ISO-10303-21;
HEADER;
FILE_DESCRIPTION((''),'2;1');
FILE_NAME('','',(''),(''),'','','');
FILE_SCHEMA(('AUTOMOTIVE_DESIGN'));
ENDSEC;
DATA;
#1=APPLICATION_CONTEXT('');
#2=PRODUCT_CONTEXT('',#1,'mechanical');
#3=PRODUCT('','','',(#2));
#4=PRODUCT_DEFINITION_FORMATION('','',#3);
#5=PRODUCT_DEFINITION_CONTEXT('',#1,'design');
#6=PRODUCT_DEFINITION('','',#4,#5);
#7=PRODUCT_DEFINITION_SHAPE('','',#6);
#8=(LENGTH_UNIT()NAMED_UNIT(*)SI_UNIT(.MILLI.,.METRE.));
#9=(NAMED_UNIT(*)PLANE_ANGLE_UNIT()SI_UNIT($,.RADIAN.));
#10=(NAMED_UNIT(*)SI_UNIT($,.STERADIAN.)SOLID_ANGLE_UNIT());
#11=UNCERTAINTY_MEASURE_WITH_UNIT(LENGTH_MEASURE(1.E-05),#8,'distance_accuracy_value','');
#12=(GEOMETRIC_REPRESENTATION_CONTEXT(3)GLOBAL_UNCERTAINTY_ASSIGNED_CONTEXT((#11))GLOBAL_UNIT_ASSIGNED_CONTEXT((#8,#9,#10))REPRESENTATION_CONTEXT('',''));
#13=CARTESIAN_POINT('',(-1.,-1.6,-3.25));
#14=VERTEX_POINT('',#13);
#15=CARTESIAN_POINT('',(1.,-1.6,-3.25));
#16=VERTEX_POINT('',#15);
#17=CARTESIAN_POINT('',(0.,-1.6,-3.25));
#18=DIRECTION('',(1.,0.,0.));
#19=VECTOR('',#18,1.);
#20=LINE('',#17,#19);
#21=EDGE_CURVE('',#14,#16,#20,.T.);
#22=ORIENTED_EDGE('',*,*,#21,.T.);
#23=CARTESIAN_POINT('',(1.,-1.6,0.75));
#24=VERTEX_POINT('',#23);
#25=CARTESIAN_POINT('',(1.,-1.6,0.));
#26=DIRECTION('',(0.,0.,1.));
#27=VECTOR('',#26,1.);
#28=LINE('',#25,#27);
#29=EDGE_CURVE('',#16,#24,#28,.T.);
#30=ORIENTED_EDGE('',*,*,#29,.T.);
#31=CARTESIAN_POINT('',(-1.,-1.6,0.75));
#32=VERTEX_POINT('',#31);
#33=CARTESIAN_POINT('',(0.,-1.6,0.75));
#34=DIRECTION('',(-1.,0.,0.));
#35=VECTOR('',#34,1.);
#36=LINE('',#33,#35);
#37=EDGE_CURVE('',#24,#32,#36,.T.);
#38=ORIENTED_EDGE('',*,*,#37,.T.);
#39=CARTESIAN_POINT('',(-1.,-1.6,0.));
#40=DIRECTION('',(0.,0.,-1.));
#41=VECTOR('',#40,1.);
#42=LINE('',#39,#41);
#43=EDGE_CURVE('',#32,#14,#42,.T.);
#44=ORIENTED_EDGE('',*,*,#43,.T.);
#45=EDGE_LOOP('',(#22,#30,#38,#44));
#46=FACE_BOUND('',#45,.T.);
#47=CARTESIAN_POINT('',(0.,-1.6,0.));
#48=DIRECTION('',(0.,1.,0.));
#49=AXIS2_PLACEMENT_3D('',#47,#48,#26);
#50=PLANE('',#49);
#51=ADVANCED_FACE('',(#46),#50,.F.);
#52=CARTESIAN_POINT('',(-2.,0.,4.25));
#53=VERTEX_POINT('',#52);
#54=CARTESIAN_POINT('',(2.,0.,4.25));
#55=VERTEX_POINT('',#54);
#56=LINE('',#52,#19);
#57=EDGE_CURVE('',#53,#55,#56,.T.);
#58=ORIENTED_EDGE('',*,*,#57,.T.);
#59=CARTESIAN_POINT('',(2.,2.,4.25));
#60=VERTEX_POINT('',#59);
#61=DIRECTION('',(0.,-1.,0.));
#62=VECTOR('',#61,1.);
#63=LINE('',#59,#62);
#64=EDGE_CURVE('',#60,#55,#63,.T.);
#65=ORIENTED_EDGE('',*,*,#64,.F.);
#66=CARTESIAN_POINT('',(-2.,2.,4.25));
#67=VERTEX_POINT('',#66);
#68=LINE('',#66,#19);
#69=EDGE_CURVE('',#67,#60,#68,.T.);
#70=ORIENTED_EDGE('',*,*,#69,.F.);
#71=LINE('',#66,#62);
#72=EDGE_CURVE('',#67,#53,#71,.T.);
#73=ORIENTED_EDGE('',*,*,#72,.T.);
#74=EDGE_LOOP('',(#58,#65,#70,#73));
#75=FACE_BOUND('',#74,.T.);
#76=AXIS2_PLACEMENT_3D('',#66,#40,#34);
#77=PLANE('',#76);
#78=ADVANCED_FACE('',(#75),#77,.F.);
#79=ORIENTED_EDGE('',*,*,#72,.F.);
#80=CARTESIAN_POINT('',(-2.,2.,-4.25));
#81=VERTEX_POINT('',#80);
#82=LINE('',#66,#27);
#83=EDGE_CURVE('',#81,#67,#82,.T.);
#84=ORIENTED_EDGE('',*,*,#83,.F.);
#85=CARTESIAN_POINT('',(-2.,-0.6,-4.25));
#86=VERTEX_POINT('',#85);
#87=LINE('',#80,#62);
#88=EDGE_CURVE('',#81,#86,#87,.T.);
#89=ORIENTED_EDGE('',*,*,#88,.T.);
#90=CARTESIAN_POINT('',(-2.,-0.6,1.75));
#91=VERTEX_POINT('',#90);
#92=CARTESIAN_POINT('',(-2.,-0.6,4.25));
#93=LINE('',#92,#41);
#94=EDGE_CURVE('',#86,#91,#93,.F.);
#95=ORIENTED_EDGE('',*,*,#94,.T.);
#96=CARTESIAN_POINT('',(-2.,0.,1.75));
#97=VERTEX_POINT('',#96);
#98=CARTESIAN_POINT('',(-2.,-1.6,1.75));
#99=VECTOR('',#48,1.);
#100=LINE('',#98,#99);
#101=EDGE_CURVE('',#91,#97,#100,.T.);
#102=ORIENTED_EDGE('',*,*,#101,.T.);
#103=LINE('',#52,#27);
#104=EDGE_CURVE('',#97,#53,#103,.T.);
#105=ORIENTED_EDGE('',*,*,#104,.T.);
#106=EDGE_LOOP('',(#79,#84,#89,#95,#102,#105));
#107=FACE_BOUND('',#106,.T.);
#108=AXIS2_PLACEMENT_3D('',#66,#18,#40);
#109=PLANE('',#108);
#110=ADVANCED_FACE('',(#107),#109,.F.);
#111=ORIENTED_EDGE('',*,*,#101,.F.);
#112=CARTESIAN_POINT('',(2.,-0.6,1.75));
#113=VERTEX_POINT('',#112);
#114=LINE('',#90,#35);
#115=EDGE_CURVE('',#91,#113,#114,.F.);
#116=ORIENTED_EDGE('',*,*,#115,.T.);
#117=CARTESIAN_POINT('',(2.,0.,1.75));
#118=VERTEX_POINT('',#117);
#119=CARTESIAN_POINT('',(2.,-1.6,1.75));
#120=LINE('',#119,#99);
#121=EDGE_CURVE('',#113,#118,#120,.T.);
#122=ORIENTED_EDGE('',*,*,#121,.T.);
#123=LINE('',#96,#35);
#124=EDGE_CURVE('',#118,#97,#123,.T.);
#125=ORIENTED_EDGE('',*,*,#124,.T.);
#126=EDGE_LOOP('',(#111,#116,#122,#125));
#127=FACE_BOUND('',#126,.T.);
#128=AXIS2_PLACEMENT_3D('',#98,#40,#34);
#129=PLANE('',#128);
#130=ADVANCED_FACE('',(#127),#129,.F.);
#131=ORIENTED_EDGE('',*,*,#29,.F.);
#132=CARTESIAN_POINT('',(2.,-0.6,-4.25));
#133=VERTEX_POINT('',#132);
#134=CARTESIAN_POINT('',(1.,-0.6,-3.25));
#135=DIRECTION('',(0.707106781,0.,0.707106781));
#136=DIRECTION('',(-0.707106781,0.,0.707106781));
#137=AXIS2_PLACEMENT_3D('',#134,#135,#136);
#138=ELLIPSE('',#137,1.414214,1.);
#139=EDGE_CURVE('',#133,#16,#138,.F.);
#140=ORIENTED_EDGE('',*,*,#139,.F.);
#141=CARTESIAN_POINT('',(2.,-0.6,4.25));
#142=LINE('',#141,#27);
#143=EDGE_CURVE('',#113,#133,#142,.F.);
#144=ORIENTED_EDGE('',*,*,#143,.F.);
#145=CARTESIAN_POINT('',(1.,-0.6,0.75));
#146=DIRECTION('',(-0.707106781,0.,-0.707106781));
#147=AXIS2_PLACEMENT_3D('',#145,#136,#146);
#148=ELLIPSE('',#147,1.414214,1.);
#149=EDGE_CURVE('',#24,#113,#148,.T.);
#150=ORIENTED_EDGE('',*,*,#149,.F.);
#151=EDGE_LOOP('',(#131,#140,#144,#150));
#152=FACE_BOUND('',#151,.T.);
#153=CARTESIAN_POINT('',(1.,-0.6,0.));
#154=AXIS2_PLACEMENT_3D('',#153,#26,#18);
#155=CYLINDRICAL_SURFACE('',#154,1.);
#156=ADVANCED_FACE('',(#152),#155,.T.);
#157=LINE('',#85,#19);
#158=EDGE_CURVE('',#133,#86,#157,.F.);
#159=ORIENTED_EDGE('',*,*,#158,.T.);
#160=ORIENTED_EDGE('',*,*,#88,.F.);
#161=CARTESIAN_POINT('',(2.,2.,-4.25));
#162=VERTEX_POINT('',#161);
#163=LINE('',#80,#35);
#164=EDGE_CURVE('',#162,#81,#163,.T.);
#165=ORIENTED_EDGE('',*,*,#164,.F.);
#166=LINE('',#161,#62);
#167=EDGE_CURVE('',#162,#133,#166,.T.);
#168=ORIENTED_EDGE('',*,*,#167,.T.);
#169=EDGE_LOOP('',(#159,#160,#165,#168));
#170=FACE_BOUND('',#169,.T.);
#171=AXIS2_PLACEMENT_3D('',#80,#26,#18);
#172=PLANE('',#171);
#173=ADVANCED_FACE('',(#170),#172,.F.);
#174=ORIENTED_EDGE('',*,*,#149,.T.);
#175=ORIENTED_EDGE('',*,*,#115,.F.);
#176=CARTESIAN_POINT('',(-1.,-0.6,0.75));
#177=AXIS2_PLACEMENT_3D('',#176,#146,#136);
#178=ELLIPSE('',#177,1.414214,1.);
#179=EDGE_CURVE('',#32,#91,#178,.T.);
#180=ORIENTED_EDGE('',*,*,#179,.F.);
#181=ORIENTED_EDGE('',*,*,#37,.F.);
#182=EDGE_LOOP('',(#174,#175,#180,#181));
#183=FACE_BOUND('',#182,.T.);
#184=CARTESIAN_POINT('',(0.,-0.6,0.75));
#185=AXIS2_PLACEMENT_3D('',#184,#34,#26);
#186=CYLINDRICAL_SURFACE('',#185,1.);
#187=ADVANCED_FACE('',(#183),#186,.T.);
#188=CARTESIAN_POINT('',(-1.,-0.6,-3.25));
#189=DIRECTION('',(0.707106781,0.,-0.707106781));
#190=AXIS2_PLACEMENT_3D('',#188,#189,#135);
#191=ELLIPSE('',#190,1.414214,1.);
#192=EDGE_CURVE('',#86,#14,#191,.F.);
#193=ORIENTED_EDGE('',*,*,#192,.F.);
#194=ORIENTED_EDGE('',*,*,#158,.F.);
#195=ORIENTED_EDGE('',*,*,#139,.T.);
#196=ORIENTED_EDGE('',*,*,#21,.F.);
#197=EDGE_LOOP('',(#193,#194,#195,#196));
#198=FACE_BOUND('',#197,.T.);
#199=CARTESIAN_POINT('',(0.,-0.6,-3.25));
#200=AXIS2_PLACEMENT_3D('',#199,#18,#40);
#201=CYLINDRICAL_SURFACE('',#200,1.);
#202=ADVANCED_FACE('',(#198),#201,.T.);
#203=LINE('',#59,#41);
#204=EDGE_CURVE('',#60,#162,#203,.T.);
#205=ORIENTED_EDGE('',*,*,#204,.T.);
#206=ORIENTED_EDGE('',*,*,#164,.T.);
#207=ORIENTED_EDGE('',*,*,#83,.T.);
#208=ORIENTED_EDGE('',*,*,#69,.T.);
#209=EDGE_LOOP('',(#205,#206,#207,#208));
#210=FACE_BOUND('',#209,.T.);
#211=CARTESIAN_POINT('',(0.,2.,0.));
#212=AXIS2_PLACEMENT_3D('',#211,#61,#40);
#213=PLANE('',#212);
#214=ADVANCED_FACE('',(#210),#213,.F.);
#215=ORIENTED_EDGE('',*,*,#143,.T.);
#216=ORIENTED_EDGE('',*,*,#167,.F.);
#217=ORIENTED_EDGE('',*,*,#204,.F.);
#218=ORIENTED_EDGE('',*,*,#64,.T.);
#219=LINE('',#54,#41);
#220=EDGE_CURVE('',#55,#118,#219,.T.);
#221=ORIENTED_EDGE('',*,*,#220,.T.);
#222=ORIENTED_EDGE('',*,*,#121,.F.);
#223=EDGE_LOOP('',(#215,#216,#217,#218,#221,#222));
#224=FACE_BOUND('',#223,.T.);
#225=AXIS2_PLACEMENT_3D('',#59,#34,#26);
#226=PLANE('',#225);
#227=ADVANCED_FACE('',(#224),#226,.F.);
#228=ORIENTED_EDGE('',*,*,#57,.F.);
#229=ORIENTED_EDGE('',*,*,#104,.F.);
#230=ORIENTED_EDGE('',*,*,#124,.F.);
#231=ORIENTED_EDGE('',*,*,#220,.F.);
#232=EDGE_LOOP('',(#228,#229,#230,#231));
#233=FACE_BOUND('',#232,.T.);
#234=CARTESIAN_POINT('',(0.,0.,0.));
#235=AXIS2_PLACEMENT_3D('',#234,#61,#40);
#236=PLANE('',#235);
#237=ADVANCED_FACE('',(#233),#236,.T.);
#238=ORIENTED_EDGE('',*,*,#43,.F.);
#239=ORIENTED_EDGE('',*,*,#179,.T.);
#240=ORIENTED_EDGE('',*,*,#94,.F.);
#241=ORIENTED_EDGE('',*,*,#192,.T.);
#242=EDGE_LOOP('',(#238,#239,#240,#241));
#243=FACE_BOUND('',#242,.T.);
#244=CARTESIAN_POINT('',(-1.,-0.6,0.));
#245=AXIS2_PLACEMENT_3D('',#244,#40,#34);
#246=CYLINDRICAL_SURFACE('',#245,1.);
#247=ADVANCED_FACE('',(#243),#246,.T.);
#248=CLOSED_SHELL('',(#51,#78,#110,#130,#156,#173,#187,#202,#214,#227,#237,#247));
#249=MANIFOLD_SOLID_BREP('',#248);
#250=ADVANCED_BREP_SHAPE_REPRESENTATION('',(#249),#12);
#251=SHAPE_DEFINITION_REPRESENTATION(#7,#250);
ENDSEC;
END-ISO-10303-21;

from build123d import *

# Parameters (mm, degrees)
SKETCH2_W           = 4
SKETCH2_H           = 8.5
BOSS_EXTRUDE1_DEPTH = 2
SKETCH3_W           = 4
SKETCH3_H           = 6
BOSS_EXTRUDE2_DEPTH = 1.6
FILLET1_R           = 1


with BuildPart() as part:
    # Sketch2 → Boss-Extrude1 (new body)
    with BuildSketch(Plane(origin=(0, 0, 0), x_dir=(1, 0, 0), z_dir=(0, 1, 0))):
        Rectangle(SKETCH2_W, SKETCH2_H)
    extrude(amount=BOSS_EXTRUDE1_DEPTH)

    # Sketch3 → Boss-Extrude2 (add)
    with BuildSketch(Plane.XZ):
        with Locations((0, -1.25)):
            Rectangle(SKETCH3_W, SKETCH3_H)
    extrude(amount=BOSS_EXTRUDE2_DEPTH)

    # Fillet1
    fillet1_edges = [part.edges().sort_by_distance(p)[0] for p in [
        (-2, -1.6, -1.25),
        (0, -1.6, -4.25),
        (2, -1.6, -1.25),
        (0, -1.6, 1.75),
    ]]
    fillet(fillet1_edges, radius=FILLET1_R)


solid = part.part
